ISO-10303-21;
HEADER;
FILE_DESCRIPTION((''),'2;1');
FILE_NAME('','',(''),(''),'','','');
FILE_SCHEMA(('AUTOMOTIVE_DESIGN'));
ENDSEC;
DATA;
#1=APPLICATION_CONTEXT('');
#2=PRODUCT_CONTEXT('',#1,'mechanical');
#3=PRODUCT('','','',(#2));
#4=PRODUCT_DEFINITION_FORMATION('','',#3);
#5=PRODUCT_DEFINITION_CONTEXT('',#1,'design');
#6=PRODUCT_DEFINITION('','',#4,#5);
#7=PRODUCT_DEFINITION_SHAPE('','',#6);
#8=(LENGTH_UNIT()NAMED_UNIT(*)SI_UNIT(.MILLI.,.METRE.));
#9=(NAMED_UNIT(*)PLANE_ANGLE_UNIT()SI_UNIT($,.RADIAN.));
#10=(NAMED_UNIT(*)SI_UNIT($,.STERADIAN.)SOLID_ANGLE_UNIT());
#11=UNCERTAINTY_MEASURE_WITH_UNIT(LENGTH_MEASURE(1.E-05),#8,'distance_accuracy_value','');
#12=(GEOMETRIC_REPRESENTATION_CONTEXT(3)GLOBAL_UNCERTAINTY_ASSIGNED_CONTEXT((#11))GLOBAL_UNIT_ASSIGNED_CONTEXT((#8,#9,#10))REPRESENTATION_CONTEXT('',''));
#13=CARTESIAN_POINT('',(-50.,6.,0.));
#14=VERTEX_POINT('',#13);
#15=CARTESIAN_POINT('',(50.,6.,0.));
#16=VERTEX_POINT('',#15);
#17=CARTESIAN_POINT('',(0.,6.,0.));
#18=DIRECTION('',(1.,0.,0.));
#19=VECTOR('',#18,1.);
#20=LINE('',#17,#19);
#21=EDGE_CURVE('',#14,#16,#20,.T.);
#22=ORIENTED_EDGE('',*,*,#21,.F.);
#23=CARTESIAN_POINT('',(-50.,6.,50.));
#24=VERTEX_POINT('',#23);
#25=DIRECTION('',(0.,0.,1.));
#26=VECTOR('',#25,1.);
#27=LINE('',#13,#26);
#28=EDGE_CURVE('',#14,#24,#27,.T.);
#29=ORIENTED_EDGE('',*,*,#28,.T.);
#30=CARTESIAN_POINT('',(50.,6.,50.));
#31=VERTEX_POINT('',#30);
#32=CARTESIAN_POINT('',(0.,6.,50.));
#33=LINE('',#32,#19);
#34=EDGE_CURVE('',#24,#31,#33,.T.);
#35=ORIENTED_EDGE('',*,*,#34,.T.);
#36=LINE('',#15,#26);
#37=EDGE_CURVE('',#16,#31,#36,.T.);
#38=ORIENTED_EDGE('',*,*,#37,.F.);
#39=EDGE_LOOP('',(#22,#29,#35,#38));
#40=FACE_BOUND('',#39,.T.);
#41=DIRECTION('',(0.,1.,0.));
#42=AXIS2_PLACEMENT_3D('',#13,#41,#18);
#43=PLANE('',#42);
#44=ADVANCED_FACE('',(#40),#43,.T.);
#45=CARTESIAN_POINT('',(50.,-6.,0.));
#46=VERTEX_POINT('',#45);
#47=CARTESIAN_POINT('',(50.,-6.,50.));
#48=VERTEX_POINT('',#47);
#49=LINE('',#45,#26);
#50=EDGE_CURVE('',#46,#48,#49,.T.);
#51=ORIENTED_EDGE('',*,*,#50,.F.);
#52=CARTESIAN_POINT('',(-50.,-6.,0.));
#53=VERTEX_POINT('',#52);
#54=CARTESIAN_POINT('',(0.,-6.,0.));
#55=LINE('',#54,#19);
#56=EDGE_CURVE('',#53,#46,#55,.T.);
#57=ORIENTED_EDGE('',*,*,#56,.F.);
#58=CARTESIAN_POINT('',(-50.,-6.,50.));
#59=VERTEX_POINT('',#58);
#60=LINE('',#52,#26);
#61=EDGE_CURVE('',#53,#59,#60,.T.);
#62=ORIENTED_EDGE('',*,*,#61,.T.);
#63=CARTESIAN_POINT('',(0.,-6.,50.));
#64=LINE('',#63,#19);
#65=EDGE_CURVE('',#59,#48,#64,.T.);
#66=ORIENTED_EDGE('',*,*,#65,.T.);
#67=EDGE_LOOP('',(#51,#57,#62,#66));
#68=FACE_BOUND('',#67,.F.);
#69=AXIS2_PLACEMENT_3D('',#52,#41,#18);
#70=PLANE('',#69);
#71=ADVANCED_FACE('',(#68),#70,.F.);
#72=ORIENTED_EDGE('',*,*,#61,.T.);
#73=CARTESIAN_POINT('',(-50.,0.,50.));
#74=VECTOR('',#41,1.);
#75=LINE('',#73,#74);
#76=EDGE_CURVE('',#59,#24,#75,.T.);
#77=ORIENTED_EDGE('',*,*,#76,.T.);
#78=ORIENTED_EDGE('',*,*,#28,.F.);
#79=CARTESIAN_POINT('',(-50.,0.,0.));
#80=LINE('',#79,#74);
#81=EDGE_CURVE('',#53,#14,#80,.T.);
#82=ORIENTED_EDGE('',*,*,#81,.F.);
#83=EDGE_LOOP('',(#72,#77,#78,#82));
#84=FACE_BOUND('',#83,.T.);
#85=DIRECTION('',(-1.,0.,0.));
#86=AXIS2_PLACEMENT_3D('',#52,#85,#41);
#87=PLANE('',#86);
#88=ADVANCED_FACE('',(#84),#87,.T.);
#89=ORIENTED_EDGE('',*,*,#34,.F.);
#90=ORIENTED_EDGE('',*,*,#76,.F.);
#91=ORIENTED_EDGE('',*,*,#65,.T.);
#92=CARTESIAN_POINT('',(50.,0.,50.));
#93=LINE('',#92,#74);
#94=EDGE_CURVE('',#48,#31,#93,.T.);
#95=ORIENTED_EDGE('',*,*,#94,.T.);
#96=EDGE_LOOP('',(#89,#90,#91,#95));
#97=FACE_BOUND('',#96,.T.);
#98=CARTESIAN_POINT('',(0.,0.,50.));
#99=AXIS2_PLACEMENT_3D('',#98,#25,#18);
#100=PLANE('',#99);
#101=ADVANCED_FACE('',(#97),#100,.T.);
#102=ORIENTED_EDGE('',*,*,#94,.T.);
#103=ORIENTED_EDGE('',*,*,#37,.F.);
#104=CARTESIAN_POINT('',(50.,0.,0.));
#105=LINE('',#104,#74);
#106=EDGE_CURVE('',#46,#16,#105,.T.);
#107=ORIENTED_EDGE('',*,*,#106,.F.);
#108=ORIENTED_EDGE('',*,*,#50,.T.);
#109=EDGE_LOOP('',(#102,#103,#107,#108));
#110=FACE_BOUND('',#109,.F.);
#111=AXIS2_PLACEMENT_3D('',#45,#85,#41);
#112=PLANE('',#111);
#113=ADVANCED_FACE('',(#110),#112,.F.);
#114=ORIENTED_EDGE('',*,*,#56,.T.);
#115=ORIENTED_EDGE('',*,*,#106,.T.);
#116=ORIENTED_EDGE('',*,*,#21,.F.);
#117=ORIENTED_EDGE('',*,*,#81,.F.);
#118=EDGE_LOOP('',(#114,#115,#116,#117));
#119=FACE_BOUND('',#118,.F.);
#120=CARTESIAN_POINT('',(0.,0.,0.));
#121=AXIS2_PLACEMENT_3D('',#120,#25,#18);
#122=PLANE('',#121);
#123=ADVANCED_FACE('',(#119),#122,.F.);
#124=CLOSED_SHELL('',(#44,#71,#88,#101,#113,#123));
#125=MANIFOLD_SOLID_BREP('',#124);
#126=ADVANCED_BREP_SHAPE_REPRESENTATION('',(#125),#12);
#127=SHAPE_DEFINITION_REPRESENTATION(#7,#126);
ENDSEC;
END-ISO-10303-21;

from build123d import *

# Parameters (mm, degrees)
SKETCH_W      = 100
SKETCH_H      = 12
EXTRUDE_DEPTH = 50


with BuildPart() as part:
    # Sketch → Extrude (new body)
    with BuildSketch(Plane.XY):
        Rectangle(SKETCH_W, SKETCH_H)
    extrude(amount=EXTRUDE_DEPTH)


solid = part.part
